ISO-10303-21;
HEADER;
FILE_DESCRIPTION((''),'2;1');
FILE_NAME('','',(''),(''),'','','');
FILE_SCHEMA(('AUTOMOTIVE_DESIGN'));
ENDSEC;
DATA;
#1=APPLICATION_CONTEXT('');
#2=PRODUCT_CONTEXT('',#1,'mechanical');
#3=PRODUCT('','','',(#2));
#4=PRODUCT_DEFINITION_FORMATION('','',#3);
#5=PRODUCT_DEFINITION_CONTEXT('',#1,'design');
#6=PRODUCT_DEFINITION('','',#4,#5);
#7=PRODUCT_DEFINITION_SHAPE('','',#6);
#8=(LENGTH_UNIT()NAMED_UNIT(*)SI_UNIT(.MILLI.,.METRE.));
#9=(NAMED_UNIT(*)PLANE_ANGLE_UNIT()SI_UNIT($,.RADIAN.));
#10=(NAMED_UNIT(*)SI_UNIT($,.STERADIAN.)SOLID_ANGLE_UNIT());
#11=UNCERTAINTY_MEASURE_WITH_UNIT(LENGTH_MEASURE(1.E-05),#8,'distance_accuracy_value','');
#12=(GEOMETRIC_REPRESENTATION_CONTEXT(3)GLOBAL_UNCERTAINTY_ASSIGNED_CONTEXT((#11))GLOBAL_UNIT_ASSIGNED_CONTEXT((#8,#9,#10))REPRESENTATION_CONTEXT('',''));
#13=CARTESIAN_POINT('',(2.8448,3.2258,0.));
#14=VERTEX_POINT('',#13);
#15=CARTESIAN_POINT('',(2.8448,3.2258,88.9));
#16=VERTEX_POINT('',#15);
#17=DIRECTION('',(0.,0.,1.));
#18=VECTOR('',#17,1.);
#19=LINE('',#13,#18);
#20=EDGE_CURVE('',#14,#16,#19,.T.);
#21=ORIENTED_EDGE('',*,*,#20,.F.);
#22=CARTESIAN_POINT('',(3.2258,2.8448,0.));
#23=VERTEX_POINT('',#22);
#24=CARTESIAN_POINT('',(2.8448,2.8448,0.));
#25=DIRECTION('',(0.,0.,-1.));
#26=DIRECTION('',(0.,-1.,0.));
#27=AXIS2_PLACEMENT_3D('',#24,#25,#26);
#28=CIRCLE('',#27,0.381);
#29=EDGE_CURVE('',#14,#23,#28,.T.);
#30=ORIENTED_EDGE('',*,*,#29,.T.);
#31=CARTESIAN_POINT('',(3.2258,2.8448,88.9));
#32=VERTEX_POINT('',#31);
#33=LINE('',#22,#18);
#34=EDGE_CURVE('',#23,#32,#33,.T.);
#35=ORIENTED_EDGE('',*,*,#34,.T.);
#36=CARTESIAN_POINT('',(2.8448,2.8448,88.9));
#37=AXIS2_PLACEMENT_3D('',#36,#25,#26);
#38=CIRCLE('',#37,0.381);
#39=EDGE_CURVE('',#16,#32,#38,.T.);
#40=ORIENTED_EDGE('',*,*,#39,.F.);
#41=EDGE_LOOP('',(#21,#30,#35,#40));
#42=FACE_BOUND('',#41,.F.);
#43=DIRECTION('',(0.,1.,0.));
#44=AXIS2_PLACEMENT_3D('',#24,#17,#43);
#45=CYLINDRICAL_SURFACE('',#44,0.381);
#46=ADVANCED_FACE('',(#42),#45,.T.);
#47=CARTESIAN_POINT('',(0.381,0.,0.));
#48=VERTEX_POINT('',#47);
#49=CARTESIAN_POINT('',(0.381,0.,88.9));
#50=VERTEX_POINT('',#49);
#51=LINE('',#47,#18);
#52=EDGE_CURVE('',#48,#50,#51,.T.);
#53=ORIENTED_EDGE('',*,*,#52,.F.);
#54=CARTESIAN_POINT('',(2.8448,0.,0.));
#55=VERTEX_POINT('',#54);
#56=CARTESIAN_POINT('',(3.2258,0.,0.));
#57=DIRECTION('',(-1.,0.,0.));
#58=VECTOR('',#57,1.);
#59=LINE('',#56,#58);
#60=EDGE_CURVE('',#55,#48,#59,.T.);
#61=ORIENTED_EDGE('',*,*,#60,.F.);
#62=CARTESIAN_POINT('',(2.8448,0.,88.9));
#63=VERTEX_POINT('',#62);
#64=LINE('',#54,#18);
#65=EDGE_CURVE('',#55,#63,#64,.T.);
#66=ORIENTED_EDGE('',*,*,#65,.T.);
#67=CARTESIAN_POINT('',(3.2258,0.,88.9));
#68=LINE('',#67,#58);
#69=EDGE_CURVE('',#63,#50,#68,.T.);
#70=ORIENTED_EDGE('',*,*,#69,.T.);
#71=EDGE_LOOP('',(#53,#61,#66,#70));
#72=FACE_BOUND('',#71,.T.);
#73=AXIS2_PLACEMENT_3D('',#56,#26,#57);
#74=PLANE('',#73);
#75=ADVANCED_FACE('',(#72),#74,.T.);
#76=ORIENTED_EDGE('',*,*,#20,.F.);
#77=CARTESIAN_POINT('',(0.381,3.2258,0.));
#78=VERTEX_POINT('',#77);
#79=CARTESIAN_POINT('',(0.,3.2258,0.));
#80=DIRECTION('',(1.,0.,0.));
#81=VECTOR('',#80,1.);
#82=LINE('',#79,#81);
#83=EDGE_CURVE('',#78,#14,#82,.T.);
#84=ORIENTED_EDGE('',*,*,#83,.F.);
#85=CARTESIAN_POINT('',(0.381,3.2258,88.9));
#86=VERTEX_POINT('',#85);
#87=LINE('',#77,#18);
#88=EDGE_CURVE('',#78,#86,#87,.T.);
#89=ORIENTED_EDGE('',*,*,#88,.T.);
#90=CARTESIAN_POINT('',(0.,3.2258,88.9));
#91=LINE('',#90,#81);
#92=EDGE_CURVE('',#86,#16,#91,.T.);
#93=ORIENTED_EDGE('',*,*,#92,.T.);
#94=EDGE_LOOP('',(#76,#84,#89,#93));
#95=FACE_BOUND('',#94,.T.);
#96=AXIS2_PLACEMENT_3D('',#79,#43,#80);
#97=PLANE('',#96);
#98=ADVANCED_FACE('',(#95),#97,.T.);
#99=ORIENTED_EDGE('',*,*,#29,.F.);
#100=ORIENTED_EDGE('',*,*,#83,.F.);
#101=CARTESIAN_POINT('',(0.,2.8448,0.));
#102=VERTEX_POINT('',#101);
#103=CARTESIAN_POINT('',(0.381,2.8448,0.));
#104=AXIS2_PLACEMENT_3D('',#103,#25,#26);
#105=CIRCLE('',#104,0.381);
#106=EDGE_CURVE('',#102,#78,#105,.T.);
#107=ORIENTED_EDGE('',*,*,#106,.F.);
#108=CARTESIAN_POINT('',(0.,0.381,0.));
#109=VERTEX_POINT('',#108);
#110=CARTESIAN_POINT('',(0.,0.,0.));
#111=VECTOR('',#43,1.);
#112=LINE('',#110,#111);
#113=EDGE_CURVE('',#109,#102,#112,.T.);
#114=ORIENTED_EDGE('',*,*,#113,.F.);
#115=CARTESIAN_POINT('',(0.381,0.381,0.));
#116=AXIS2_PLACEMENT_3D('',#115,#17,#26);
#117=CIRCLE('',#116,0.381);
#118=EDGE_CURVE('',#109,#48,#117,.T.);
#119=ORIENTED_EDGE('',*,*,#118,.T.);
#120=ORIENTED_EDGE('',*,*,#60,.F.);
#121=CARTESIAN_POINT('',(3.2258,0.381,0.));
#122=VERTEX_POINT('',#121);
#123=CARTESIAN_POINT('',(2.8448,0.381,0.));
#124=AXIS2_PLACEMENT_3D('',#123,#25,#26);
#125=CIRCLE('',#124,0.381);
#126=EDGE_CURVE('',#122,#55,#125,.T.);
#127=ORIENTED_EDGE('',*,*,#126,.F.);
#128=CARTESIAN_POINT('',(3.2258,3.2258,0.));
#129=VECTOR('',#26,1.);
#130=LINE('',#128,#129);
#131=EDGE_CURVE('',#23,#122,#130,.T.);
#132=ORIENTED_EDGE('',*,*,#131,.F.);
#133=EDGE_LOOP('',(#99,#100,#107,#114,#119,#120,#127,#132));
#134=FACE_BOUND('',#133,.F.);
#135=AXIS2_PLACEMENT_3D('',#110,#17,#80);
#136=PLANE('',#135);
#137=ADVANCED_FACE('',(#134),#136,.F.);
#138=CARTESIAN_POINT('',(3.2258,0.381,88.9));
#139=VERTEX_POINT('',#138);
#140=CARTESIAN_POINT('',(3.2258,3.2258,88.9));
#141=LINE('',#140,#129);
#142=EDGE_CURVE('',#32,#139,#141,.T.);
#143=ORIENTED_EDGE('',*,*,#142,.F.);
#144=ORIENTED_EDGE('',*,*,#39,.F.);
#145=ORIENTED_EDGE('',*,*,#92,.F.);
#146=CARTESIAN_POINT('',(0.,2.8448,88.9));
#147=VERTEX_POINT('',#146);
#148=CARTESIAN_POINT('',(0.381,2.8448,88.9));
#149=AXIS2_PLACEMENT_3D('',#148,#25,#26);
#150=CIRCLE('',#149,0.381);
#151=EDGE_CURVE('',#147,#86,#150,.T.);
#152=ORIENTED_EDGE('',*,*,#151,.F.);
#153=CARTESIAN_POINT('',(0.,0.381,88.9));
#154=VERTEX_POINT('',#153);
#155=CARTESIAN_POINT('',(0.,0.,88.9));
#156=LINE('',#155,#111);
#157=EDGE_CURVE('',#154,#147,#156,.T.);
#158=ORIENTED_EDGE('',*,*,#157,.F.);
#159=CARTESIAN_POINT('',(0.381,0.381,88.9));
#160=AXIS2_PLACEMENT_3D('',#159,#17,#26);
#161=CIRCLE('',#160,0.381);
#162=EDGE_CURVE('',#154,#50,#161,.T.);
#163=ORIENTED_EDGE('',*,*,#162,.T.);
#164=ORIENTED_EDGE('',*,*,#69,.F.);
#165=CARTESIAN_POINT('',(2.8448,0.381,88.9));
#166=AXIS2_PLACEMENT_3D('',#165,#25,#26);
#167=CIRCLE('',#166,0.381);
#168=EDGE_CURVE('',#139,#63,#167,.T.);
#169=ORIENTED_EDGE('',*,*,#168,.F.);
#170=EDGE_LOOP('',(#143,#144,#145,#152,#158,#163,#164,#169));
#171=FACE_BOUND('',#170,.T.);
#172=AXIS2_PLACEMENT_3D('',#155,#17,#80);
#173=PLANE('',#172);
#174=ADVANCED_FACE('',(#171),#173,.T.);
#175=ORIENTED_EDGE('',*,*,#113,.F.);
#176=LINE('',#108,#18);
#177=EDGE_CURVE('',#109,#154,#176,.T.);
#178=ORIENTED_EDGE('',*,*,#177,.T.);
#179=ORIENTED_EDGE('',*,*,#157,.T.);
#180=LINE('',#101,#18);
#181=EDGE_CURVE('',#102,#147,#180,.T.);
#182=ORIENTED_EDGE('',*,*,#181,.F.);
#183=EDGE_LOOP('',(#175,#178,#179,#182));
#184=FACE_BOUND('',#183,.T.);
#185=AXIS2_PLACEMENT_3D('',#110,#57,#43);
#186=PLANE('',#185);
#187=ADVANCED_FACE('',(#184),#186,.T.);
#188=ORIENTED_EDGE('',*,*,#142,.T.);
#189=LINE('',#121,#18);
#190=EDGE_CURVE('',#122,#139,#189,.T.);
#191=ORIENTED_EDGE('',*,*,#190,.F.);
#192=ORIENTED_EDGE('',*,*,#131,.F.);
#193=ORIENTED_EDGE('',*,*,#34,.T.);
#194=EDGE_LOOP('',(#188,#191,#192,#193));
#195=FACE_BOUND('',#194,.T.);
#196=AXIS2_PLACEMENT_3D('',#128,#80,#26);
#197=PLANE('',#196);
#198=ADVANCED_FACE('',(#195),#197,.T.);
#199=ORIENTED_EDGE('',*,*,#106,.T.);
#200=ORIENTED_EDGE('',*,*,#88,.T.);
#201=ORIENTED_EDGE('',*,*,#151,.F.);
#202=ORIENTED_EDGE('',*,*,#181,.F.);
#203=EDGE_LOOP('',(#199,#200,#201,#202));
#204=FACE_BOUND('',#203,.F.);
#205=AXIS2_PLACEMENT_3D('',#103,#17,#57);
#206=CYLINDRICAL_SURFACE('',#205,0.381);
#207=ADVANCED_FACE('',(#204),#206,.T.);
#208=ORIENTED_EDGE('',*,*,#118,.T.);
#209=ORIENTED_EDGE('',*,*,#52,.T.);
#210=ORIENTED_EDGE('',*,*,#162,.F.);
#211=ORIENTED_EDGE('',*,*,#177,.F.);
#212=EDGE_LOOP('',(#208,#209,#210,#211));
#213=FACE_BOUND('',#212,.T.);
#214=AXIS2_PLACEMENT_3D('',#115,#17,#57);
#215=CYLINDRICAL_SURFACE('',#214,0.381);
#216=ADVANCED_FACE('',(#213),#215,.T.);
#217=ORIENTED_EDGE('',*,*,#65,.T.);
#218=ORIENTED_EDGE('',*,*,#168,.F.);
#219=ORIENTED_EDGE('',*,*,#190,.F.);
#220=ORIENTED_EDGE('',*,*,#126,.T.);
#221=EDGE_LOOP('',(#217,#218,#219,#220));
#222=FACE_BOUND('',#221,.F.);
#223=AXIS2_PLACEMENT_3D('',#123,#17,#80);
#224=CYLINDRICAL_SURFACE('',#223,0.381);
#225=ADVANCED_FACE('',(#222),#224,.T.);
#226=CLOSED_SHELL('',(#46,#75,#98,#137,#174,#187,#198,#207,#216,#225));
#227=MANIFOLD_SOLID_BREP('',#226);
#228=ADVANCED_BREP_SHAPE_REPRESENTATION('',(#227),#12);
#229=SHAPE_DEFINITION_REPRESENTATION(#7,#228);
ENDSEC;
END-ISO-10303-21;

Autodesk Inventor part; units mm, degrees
ref_plane "YZ Plane" through (0, 0, 0) normal (1, 0, 0) x (0, 1, 0)
ref_plane "XZ Plane" through (0, 0, 0) normal (0, 1, 0) x (-1, 0, 0)
ref_plane "XY Plane" through (0, 0, 0) normal (0, 0, 1) x (1, 0, 0)
sketch "Sketch1" plane through (0, 0, 0) normal (0, 0, 1) x (1, 0, 0)
  line L0 (0, 0) -> (0, 3.2258)
  line L1 (0, 3.2258) -> (3.2258, 3.2258)
  line L2 (3.2258, 3.2258) -> (3.2258, 0)
  line L3 (3.2258, 0) -> (0, 0)
  dimension "d0" = 3.2258
  dimension "d1" = 3.2258
extrude "Extrusion1" add sketch "Sketch1" along normal blind 88.9
fillet "Fillet1" radius 0.381 4 edges at (3.2258, 3.2258, 44.45) (3.2258, 0, 44.45) (0, 3.2258, 44.45) (0, 0, 44.45)
ref_plane "Work Plane1" through (1.6129, 0.381, 88.9) normal (1, 0, 0) x (0, 0, -1)
ref_plane "Work Plane2" through (0.381, 1.6129, 88.9) normal (0, 1, 0) x (1, 0, 0)
properties part number "Vex Shaft P1" material "Steel"
